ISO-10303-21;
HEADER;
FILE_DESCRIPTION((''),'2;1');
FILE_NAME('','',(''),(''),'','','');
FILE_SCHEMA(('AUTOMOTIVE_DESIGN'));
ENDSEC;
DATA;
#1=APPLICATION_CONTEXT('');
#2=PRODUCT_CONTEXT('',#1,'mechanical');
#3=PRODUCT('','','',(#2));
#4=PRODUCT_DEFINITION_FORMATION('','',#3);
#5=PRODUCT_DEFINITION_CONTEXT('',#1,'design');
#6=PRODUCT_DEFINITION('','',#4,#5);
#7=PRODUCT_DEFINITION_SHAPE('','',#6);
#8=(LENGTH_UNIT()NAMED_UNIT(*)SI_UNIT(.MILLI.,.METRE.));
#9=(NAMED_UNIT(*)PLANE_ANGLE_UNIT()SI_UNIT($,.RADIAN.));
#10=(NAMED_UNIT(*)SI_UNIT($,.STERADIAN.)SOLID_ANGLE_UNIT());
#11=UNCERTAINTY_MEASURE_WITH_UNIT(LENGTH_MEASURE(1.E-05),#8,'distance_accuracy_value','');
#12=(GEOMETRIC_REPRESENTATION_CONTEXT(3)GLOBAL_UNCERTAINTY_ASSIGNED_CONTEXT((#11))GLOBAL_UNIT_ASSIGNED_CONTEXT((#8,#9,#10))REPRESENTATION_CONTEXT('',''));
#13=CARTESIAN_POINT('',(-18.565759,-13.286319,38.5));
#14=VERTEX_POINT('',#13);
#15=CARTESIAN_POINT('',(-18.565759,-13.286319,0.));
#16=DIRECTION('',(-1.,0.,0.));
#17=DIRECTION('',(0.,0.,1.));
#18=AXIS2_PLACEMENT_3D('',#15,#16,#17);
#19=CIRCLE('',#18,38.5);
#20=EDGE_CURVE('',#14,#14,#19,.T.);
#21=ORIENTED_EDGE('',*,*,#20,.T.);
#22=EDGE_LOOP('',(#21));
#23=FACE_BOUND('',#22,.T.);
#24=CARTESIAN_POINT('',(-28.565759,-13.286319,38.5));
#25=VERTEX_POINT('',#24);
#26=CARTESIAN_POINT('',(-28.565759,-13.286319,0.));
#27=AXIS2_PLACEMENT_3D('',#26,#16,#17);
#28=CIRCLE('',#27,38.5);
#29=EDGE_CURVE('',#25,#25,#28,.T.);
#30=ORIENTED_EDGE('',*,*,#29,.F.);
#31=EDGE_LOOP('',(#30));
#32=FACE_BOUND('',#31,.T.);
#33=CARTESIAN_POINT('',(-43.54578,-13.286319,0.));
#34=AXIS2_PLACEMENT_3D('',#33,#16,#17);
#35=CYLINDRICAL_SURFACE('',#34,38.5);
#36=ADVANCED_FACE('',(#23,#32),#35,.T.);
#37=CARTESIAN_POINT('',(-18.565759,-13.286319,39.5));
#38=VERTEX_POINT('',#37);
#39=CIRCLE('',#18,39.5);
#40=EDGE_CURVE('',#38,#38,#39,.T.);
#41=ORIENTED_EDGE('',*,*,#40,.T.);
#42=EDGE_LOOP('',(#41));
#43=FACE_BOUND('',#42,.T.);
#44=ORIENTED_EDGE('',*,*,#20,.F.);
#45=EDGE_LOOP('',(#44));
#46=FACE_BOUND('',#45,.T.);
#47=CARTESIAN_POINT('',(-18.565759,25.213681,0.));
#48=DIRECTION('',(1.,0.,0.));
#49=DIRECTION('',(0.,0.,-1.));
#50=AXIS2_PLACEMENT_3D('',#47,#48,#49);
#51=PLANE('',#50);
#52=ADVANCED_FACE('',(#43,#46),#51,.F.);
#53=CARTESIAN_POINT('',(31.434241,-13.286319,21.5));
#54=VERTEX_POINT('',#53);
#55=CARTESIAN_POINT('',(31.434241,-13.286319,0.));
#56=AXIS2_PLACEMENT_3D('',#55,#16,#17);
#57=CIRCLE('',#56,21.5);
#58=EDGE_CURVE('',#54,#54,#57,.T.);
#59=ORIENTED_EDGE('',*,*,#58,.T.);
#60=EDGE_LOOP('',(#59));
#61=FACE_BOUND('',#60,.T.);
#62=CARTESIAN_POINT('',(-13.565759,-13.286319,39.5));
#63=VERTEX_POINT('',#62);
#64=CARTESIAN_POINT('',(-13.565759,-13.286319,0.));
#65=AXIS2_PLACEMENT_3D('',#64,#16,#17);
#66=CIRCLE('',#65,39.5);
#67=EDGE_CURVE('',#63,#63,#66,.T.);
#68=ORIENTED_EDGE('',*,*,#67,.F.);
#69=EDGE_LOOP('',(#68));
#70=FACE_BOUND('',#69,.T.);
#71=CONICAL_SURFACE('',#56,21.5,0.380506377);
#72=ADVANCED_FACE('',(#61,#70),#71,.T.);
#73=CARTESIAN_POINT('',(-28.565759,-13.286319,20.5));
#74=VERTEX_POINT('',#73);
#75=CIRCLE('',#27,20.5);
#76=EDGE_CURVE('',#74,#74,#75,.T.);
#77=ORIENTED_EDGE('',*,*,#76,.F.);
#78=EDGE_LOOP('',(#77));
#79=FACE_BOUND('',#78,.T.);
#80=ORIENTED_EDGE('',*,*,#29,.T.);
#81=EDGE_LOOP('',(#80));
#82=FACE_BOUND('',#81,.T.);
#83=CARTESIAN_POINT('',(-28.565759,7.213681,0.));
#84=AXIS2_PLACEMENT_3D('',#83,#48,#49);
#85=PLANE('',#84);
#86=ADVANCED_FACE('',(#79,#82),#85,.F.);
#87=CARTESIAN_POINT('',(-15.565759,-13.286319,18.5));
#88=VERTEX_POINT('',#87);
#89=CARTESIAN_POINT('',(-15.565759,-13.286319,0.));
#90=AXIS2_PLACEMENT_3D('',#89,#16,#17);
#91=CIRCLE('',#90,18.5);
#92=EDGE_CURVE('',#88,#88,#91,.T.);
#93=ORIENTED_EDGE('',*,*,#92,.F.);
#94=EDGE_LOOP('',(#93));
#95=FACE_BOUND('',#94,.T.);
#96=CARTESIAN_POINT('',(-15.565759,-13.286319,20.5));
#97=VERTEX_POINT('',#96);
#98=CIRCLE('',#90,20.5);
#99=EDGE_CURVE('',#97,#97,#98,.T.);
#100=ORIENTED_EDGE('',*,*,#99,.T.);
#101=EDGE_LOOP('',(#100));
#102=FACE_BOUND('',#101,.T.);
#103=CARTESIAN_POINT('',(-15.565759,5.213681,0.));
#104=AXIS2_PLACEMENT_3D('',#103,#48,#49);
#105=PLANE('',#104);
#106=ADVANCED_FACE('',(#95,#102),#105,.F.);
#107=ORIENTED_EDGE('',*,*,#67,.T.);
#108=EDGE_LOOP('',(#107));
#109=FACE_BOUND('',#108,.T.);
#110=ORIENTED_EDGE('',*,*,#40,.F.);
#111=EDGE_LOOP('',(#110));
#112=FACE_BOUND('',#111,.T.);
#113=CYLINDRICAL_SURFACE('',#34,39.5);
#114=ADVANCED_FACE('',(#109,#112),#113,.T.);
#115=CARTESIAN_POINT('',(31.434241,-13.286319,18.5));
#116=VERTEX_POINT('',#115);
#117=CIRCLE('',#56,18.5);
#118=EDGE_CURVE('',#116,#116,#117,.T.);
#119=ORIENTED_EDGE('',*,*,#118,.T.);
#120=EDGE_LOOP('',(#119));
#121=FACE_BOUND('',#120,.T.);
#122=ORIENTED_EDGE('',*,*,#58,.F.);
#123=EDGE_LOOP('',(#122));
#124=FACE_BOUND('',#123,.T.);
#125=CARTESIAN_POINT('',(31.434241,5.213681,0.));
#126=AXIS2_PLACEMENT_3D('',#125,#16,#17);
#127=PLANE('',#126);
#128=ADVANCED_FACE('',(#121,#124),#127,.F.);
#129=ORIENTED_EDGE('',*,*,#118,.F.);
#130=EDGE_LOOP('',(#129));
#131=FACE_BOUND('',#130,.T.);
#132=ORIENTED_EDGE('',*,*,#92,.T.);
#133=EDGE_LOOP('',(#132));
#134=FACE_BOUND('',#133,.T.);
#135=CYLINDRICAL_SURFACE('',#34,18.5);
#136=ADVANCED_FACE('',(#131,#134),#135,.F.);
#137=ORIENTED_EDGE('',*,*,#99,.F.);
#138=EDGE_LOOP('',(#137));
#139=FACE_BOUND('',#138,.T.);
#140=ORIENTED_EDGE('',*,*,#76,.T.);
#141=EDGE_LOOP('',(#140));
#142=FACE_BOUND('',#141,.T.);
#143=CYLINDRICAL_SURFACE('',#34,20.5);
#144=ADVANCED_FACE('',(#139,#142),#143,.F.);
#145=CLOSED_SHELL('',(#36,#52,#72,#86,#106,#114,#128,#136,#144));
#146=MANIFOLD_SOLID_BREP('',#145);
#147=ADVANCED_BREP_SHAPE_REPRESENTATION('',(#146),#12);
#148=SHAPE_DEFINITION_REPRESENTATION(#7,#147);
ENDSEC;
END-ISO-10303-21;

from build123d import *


with BuildPart() as part:
    # Esquisse1 → Révolution1 (revolve)
    with BuildSketch(Plane.XY, mode=Mode.PRIVATE) as r_volution1_sk:
        Polygon((-28.565758671, 25.213681359), (-18.565758671, 25.213681359), (-18.565758671, 26.213681359), (-13.565758671, 26.213681359), (31.434241329, 8.213681359), (31.434241329, 5.213681359), (-15.565758671, 5.213681359), (-15.565758671, 7.213681359), (-28.565758671, 7.213681359), align=None)
    revolve(r_volution1_sk.sketch.rotate(Axis((-43.545779604, -13.286318641, 0), (1, 0, 0)), 90), axis=Axis((-43.545779604, -13.286318641, 0), (1, 0, 0)))  # turned: the seam where the file's is


solid = part.part
